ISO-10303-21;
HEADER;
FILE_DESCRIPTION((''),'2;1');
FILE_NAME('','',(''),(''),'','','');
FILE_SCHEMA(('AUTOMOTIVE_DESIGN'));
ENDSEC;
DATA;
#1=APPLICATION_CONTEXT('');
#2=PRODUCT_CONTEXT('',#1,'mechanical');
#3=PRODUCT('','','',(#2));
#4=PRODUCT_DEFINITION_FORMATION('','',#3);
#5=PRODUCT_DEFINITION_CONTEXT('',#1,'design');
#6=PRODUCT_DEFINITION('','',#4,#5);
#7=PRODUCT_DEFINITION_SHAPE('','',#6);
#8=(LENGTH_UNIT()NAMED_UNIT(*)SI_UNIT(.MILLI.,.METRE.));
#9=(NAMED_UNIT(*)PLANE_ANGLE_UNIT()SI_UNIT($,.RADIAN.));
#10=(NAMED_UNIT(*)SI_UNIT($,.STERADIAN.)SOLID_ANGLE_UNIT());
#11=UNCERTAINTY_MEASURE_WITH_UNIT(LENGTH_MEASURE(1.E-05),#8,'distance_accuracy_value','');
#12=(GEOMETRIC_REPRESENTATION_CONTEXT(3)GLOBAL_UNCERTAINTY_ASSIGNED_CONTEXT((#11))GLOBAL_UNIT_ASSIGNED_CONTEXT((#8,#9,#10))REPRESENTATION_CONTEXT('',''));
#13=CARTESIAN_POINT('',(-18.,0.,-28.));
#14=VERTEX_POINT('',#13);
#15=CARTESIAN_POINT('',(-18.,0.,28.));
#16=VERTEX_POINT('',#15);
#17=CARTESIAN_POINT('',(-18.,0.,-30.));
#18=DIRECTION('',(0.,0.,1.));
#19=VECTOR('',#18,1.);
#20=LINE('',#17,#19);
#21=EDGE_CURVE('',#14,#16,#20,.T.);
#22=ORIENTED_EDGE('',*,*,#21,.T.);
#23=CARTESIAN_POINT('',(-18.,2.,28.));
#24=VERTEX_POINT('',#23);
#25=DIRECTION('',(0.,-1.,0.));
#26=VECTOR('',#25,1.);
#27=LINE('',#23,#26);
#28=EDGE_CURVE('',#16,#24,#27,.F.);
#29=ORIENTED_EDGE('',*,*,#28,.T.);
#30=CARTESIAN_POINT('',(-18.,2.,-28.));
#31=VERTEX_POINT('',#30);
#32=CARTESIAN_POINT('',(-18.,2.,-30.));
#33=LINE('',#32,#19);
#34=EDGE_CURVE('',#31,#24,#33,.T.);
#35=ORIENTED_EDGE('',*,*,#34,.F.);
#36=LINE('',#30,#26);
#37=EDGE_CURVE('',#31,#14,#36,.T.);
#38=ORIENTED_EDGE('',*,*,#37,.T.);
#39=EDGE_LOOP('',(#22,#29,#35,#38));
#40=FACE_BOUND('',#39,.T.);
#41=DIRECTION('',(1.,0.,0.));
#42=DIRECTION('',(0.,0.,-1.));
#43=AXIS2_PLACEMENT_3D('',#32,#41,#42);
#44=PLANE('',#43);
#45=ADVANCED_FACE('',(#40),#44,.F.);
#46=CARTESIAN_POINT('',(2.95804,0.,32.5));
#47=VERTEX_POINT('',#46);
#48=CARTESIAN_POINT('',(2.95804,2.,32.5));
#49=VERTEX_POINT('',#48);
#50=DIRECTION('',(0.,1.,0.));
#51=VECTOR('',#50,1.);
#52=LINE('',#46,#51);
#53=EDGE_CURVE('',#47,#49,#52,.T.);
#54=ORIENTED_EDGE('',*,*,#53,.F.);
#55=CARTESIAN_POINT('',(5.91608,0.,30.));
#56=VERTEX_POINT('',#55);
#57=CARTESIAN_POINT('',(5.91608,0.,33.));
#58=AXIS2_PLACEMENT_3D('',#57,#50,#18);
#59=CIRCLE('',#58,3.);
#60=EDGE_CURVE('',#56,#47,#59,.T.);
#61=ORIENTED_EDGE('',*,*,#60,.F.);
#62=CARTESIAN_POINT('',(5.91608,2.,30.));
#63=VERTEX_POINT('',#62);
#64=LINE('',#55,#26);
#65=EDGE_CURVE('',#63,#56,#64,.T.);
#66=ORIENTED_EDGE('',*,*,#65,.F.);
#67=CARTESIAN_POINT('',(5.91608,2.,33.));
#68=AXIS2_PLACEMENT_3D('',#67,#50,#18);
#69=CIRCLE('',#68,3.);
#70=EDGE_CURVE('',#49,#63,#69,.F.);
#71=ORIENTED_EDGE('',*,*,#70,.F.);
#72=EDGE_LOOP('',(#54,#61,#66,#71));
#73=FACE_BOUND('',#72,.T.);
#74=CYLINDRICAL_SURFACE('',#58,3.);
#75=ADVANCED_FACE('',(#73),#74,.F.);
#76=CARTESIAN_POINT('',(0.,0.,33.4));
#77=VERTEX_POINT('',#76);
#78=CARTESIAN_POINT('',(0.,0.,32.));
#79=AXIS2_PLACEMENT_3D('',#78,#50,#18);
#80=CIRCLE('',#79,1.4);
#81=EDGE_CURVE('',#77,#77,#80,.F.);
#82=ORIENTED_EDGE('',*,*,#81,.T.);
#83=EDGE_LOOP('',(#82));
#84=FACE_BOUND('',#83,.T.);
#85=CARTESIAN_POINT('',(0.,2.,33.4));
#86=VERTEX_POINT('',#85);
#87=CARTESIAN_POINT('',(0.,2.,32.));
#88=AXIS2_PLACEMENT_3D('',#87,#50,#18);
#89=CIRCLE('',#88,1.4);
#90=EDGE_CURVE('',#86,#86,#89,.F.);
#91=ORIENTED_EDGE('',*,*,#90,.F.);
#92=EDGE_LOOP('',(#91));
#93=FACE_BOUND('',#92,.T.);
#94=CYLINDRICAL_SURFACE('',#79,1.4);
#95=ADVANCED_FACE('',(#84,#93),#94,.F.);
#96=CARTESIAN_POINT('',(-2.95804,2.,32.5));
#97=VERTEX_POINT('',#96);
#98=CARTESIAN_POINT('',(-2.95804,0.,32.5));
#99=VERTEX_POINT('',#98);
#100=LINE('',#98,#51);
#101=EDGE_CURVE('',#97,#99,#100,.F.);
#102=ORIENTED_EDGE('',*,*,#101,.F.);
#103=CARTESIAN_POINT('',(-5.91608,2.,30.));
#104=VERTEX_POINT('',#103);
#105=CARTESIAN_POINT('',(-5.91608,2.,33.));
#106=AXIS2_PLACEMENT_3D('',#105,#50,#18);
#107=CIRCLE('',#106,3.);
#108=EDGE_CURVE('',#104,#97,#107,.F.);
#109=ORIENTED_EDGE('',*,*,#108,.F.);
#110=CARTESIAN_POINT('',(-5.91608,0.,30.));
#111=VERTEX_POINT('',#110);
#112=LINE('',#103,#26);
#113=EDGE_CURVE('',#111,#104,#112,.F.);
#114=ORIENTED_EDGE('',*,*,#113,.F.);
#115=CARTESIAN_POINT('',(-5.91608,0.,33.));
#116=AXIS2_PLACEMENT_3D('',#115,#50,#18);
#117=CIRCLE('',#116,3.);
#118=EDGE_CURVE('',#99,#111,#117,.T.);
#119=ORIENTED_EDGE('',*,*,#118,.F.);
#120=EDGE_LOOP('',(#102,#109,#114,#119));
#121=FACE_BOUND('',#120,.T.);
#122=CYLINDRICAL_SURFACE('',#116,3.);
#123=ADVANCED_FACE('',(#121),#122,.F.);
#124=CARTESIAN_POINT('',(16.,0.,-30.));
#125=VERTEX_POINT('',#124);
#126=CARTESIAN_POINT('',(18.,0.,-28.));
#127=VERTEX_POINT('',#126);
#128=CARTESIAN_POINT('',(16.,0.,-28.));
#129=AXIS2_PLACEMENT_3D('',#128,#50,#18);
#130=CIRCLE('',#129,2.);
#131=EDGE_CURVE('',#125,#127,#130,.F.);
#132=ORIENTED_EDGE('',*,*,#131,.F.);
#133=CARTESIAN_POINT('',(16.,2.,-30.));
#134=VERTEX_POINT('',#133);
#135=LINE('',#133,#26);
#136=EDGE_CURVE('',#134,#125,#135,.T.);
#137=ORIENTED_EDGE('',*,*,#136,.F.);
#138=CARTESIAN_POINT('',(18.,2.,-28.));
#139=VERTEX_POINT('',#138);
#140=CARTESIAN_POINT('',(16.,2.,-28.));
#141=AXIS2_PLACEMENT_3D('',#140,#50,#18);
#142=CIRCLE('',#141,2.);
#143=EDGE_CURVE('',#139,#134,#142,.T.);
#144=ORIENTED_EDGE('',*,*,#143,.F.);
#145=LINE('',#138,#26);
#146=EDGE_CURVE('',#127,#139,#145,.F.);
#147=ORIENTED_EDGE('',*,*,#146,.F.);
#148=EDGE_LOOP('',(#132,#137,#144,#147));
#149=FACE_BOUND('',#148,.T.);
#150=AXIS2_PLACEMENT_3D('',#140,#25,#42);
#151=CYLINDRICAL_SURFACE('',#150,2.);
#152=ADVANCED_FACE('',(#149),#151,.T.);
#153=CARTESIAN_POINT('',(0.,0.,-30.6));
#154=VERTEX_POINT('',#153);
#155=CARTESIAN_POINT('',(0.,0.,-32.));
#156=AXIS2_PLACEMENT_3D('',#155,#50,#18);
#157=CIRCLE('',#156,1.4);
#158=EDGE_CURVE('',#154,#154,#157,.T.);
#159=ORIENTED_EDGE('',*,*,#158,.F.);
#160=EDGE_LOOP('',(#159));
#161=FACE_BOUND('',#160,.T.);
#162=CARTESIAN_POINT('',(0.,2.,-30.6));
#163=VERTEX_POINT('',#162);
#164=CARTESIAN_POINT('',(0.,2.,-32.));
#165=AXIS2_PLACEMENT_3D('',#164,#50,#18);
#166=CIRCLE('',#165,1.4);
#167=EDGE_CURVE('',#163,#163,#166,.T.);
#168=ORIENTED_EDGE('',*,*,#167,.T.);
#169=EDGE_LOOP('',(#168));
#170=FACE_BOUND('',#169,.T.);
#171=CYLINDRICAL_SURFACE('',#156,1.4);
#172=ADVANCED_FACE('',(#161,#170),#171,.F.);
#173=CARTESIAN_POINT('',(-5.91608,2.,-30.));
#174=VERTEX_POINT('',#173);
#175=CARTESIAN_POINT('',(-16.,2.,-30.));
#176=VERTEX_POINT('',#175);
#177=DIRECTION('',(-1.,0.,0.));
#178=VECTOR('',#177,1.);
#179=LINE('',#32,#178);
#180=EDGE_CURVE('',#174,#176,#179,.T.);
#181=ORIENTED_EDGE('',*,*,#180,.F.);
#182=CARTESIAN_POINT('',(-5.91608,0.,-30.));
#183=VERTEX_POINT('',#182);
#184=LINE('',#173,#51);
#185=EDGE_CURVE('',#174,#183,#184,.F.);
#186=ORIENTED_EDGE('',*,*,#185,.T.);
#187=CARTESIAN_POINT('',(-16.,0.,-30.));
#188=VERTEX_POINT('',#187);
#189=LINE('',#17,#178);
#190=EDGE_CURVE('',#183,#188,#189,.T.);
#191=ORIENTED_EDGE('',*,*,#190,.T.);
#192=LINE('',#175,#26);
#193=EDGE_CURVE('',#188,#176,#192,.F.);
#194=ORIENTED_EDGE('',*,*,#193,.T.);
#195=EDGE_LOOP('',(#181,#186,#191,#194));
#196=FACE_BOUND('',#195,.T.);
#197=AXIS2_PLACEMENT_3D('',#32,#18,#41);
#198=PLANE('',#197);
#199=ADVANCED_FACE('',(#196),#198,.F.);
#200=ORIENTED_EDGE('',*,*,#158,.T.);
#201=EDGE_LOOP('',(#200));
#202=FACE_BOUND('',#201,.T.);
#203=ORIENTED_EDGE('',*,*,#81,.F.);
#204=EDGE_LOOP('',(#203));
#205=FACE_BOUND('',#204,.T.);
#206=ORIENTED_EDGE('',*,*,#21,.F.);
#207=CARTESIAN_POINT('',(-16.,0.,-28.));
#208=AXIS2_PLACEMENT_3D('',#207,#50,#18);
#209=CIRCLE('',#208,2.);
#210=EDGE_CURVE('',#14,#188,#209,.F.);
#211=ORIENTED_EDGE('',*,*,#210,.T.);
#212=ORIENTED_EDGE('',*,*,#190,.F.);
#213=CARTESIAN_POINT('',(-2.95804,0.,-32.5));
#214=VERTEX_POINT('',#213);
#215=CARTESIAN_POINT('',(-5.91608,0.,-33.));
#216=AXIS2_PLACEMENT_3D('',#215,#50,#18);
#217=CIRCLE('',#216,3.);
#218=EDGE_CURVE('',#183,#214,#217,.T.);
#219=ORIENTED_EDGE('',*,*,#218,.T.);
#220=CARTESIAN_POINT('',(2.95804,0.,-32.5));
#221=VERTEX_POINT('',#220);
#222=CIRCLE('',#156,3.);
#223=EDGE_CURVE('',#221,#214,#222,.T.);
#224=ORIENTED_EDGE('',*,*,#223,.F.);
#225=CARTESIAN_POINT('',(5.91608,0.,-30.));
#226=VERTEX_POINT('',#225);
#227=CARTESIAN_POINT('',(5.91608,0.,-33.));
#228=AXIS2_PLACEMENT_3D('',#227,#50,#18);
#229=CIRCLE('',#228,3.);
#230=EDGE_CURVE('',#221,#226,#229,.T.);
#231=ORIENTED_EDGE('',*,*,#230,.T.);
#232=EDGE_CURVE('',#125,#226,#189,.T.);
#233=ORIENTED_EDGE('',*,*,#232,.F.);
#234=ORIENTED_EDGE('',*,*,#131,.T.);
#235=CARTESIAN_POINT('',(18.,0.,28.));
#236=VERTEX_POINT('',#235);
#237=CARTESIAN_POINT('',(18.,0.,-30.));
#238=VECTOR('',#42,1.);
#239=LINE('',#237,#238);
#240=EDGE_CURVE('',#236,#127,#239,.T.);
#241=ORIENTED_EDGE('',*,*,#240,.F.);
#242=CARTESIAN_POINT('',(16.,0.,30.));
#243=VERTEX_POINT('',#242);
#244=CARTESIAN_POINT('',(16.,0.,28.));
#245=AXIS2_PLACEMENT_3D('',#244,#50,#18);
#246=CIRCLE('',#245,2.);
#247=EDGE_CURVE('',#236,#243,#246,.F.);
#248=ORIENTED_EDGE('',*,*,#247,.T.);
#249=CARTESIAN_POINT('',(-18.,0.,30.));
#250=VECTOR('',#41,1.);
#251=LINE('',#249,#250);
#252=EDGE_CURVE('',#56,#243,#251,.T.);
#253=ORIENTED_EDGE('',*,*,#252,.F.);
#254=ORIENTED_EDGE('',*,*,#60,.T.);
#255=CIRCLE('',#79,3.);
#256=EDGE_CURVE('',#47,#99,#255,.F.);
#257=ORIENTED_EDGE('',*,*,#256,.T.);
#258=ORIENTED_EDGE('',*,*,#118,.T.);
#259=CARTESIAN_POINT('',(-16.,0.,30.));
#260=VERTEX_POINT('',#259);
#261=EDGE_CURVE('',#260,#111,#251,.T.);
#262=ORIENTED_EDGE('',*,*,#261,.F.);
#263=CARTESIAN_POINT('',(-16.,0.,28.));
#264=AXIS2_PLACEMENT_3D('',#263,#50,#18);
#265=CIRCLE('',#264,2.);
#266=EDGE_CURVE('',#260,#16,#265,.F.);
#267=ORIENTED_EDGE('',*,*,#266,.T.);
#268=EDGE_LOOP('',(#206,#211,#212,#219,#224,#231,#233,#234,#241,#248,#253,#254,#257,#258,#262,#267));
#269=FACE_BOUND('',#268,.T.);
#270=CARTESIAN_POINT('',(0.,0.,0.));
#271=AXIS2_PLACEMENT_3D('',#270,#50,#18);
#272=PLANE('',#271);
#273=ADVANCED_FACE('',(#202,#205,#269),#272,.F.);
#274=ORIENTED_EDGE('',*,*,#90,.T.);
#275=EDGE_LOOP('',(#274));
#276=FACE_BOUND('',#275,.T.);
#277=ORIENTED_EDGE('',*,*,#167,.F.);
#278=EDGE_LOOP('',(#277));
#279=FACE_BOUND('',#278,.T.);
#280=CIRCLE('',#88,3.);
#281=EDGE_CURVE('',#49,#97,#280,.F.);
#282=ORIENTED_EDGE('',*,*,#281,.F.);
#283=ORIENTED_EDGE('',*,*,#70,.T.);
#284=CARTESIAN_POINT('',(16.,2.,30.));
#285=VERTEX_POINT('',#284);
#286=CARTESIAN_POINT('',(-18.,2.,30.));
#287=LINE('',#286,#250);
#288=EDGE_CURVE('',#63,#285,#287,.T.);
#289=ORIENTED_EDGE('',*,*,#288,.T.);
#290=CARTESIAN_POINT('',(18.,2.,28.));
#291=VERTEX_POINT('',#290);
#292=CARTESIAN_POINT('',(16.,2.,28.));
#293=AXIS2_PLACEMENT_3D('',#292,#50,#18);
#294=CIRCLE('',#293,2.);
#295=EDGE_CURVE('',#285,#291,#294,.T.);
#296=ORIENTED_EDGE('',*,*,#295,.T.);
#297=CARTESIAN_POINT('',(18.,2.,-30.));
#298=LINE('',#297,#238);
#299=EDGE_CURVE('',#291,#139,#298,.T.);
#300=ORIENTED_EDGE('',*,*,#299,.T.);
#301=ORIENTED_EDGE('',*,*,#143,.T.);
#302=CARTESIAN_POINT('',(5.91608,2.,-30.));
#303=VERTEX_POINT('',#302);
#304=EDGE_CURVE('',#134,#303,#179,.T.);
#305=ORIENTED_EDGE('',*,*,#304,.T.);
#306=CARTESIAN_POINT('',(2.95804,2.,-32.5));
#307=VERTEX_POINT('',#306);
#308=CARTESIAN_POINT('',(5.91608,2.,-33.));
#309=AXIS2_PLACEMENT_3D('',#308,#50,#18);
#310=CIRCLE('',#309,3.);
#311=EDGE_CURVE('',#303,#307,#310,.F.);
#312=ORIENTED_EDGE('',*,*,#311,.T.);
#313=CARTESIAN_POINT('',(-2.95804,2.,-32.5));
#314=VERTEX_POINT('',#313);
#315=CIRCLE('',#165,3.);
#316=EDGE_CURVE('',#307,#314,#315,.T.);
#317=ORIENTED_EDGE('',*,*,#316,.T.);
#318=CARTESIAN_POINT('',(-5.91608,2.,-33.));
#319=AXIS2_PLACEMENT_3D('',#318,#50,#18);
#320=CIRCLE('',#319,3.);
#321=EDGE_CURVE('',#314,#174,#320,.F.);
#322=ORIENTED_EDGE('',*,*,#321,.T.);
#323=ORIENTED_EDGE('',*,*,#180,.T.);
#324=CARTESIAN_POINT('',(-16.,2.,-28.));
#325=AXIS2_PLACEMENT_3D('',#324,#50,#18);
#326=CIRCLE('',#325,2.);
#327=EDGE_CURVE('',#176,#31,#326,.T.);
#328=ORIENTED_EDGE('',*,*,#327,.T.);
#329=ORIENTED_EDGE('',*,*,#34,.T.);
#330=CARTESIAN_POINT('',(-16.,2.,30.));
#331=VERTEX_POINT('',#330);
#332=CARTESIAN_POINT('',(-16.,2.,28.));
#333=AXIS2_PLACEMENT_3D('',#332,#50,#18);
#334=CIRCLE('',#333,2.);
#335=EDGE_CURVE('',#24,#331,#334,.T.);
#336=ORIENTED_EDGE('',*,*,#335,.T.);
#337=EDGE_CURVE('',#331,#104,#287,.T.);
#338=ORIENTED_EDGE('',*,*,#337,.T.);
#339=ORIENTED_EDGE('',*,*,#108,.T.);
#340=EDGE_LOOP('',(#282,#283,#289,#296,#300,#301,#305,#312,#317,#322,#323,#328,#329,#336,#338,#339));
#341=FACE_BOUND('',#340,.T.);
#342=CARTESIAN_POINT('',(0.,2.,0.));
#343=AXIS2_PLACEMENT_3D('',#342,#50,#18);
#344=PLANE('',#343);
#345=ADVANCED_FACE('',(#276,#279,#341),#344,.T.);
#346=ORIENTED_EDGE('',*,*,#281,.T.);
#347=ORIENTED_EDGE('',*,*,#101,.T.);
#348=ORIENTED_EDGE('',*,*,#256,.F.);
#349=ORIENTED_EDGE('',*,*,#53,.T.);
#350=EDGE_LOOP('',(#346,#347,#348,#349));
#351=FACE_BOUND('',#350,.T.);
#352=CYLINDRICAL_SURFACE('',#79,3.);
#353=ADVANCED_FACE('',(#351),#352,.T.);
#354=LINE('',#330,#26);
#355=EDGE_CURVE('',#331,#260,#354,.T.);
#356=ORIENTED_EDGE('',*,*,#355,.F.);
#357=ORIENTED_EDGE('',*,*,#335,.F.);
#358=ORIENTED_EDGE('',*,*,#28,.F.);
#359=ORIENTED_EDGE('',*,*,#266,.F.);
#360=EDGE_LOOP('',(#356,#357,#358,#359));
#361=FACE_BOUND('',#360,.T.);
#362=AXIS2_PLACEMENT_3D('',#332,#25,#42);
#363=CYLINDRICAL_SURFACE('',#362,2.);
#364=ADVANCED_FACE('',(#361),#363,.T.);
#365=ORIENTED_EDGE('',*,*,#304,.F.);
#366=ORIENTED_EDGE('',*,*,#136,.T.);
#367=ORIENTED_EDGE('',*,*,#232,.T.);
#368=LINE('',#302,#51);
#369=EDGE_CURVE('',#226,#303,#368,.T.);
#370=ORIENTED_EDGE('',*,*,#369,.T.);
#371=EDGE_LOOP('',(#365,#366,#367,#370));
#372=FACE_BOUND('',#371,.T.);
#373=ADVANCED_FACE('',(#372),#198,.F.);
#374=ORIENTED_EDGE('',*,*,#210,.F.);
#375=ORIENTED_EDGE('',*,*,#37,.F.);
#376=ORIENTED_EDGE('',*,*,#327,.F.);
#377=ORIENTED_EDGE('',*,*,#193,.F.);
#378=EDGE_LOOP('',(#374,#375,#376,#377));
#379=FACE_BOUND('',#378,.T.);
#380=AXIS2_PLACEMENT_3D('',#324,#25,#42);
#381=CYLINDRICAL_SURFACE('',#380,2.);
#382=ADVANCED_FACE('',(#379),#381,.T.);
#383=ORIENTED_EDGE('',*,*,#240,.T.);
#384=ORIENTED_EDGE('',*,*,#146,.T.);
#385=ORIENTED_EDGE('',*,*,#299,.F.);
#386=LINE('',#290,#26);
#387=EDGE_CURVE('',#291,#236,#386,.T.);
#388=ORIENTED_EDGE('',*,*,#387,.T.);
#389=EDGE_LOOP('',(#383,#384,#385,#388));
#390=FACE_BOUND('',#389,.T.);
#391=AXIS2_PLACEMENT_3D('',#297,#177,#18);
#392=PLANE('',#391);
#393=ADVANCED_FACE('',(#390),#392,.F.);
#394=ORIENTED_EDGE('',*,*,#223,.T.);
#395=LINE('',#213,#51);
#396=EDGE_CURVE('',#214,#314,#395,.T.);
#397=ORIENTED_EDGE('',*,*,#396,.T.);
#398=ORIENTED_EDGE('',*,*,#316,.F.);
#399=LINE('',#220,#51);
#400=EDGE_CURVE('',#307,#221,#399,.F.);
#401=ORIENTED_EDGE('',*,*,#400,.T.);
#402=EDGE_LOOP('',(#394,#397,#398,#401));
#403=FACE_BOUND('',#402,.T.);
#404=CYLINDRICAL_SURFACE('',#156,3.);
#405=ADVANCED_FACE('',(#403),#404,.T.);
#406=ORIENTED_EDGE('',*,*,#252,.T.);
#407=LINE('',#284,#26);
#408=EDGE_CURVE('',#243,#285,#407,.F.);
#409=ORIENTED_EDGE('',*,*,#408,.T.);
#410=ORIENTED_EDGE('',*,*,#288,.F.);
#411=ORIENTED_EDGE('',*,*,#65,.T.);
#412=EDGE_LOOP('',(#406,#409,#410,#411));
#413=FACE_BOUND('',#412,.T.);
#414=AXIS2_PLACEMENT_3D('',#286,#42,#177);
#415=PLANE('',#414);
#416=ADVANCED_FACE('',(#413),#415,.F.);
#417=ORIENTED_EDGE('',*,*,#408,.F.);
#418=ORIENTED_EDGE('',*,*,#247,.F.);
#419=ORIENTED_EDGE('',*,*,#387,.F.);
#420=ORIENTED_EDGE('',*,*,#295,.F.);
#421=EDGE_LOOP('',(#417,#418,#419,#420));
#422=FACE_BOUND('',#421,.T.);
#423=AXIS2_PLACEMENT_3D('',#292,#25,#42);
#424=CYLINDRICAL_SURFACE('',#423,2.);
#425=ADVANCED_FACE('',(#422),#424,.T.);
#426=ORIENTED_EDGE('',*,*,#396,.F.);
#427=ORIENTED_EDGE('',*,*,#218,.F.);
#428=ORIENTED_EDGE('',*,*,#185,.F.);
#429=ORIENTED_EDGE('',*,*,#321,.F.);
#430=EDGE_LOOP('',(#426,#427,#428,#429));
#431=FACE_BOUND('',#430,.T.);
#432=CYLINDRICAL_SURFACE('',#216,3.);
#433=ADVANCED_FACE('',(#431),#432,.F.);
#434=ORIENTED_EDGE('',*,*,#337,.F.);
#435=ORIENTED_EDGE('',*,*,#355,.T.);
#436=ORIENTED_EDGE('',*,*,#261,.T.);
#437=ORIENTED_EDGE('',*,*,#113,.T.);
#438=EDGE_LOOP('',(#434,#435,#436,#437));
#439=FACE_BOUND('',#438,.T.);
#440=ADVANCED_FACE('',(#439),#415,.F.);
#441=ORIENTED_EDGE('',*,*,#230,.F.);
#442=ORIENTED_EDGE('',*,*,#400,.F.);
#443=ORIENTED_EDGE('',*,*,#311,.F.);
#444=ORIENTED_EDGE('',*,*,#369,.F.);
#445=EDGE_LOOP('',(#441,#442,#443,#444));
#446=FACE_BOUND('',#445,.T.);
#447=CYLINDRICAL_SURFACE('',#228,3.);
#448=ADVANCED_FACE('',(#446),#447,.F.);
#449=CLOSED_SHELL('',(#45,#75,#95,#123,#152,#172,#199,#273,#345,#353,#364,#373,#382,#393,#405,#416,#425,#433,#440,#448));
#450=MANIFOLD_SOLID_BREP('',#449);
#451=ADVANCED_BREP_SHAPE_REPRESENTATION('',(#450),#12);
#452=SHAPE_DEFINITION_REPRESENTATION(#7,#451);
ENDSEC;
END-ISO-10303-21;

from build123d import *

# Parameters (mm, degrees)
SKETCH_1_W      = 36
SKETCH_1_H      = 60
EXTRUDE_1_DEPTH = 2
FILLET_1_R      = 2
SKETCH_2_R      = 1.4
EXTRUDE_2_DEPTH = 2
FILLET_2_R      = 3


with BuildPart() as part:
    # 草图1 → 凸台-拉伸1 (new body)
    with BuildSketch(Plane(origin=(0, 0, 0), x_dir=(1, 0, 0), z_dir=(0, 1, 0))):
        Rectangle(SKETCH_1_W, SKETCH_1_H)
    extrude(amount=EXTRUDE_1_DEPTH)

    # 圆角1
    fillet_1_edges = [part.edges().sort_by_distance(p)[0] for p in [
        (-18, 1, -30),
        (18, 1, -30),
        (18, 1, 30),
        (-18, 1, 30),
    ]]
    fillet(fillet_1_edges, radius=FILLET_1_R)

    # 草图2 → 凸台-拉伸2 (add)
    # profile 1 of 2: a face of its own
    with BuildSketch(Plane(origin=(0, 2, 0), x_dir=(1, 0, 0), z_dir=(0, 1, 0))):
        with BuildLine():
            ThreePointArc((2.236067977, 30), (2.802517077, 30.929533731), (3, 32))
            ThreePointArc((3, 32), (-1.070466269, 34.802517077), (-2.236067977, 30))
            Line((-2.236067977, 30), (2.236067977, 30))
        make_face()
        with Locations(Location((0, 32, 0), (0, 0, 270))):
            Circle(SKETCH_2_R, mode=Mode.SUBTRACT)
    # profile 2 of 2: a face of its own
    with BuildSketch(Plane(origin=(0, 2, 0), x_dir=(1, 0, 0), z_dir=(0, 1, 0))):
        with BuildLine():
            ThreePointArc((-2.236067977, -30), (-1.070466269, -34.802517077), (3, -32))
            ThreePointArc((3, -32), (2.802517077, -30.929533731), (2.236067977, -30))
            Line((2.236067977, -30), (-2.236067977, -30))
        make_face()
        with Locations(Location((0, -32, 0), (0, 0, 270))):
            Circle(SKETCH_2_R, mode=Mode.SUBTRACT)
    extrude(amount=-EXTRUDE_2_DEPTH)

    # 圆角2
    fillet_2_edges = [part.edges().sort_by_distance(p)[0] for p in [
        (2.236067977, 1, -30),
        (-2.236067977, 1, -30),
        (2.236067977, 1, 30),
        (-2.236067977, 1, 30),
    ]]
    fillet(fillet_2_edges, radius=FILLET_2_R)


solid = part.part
